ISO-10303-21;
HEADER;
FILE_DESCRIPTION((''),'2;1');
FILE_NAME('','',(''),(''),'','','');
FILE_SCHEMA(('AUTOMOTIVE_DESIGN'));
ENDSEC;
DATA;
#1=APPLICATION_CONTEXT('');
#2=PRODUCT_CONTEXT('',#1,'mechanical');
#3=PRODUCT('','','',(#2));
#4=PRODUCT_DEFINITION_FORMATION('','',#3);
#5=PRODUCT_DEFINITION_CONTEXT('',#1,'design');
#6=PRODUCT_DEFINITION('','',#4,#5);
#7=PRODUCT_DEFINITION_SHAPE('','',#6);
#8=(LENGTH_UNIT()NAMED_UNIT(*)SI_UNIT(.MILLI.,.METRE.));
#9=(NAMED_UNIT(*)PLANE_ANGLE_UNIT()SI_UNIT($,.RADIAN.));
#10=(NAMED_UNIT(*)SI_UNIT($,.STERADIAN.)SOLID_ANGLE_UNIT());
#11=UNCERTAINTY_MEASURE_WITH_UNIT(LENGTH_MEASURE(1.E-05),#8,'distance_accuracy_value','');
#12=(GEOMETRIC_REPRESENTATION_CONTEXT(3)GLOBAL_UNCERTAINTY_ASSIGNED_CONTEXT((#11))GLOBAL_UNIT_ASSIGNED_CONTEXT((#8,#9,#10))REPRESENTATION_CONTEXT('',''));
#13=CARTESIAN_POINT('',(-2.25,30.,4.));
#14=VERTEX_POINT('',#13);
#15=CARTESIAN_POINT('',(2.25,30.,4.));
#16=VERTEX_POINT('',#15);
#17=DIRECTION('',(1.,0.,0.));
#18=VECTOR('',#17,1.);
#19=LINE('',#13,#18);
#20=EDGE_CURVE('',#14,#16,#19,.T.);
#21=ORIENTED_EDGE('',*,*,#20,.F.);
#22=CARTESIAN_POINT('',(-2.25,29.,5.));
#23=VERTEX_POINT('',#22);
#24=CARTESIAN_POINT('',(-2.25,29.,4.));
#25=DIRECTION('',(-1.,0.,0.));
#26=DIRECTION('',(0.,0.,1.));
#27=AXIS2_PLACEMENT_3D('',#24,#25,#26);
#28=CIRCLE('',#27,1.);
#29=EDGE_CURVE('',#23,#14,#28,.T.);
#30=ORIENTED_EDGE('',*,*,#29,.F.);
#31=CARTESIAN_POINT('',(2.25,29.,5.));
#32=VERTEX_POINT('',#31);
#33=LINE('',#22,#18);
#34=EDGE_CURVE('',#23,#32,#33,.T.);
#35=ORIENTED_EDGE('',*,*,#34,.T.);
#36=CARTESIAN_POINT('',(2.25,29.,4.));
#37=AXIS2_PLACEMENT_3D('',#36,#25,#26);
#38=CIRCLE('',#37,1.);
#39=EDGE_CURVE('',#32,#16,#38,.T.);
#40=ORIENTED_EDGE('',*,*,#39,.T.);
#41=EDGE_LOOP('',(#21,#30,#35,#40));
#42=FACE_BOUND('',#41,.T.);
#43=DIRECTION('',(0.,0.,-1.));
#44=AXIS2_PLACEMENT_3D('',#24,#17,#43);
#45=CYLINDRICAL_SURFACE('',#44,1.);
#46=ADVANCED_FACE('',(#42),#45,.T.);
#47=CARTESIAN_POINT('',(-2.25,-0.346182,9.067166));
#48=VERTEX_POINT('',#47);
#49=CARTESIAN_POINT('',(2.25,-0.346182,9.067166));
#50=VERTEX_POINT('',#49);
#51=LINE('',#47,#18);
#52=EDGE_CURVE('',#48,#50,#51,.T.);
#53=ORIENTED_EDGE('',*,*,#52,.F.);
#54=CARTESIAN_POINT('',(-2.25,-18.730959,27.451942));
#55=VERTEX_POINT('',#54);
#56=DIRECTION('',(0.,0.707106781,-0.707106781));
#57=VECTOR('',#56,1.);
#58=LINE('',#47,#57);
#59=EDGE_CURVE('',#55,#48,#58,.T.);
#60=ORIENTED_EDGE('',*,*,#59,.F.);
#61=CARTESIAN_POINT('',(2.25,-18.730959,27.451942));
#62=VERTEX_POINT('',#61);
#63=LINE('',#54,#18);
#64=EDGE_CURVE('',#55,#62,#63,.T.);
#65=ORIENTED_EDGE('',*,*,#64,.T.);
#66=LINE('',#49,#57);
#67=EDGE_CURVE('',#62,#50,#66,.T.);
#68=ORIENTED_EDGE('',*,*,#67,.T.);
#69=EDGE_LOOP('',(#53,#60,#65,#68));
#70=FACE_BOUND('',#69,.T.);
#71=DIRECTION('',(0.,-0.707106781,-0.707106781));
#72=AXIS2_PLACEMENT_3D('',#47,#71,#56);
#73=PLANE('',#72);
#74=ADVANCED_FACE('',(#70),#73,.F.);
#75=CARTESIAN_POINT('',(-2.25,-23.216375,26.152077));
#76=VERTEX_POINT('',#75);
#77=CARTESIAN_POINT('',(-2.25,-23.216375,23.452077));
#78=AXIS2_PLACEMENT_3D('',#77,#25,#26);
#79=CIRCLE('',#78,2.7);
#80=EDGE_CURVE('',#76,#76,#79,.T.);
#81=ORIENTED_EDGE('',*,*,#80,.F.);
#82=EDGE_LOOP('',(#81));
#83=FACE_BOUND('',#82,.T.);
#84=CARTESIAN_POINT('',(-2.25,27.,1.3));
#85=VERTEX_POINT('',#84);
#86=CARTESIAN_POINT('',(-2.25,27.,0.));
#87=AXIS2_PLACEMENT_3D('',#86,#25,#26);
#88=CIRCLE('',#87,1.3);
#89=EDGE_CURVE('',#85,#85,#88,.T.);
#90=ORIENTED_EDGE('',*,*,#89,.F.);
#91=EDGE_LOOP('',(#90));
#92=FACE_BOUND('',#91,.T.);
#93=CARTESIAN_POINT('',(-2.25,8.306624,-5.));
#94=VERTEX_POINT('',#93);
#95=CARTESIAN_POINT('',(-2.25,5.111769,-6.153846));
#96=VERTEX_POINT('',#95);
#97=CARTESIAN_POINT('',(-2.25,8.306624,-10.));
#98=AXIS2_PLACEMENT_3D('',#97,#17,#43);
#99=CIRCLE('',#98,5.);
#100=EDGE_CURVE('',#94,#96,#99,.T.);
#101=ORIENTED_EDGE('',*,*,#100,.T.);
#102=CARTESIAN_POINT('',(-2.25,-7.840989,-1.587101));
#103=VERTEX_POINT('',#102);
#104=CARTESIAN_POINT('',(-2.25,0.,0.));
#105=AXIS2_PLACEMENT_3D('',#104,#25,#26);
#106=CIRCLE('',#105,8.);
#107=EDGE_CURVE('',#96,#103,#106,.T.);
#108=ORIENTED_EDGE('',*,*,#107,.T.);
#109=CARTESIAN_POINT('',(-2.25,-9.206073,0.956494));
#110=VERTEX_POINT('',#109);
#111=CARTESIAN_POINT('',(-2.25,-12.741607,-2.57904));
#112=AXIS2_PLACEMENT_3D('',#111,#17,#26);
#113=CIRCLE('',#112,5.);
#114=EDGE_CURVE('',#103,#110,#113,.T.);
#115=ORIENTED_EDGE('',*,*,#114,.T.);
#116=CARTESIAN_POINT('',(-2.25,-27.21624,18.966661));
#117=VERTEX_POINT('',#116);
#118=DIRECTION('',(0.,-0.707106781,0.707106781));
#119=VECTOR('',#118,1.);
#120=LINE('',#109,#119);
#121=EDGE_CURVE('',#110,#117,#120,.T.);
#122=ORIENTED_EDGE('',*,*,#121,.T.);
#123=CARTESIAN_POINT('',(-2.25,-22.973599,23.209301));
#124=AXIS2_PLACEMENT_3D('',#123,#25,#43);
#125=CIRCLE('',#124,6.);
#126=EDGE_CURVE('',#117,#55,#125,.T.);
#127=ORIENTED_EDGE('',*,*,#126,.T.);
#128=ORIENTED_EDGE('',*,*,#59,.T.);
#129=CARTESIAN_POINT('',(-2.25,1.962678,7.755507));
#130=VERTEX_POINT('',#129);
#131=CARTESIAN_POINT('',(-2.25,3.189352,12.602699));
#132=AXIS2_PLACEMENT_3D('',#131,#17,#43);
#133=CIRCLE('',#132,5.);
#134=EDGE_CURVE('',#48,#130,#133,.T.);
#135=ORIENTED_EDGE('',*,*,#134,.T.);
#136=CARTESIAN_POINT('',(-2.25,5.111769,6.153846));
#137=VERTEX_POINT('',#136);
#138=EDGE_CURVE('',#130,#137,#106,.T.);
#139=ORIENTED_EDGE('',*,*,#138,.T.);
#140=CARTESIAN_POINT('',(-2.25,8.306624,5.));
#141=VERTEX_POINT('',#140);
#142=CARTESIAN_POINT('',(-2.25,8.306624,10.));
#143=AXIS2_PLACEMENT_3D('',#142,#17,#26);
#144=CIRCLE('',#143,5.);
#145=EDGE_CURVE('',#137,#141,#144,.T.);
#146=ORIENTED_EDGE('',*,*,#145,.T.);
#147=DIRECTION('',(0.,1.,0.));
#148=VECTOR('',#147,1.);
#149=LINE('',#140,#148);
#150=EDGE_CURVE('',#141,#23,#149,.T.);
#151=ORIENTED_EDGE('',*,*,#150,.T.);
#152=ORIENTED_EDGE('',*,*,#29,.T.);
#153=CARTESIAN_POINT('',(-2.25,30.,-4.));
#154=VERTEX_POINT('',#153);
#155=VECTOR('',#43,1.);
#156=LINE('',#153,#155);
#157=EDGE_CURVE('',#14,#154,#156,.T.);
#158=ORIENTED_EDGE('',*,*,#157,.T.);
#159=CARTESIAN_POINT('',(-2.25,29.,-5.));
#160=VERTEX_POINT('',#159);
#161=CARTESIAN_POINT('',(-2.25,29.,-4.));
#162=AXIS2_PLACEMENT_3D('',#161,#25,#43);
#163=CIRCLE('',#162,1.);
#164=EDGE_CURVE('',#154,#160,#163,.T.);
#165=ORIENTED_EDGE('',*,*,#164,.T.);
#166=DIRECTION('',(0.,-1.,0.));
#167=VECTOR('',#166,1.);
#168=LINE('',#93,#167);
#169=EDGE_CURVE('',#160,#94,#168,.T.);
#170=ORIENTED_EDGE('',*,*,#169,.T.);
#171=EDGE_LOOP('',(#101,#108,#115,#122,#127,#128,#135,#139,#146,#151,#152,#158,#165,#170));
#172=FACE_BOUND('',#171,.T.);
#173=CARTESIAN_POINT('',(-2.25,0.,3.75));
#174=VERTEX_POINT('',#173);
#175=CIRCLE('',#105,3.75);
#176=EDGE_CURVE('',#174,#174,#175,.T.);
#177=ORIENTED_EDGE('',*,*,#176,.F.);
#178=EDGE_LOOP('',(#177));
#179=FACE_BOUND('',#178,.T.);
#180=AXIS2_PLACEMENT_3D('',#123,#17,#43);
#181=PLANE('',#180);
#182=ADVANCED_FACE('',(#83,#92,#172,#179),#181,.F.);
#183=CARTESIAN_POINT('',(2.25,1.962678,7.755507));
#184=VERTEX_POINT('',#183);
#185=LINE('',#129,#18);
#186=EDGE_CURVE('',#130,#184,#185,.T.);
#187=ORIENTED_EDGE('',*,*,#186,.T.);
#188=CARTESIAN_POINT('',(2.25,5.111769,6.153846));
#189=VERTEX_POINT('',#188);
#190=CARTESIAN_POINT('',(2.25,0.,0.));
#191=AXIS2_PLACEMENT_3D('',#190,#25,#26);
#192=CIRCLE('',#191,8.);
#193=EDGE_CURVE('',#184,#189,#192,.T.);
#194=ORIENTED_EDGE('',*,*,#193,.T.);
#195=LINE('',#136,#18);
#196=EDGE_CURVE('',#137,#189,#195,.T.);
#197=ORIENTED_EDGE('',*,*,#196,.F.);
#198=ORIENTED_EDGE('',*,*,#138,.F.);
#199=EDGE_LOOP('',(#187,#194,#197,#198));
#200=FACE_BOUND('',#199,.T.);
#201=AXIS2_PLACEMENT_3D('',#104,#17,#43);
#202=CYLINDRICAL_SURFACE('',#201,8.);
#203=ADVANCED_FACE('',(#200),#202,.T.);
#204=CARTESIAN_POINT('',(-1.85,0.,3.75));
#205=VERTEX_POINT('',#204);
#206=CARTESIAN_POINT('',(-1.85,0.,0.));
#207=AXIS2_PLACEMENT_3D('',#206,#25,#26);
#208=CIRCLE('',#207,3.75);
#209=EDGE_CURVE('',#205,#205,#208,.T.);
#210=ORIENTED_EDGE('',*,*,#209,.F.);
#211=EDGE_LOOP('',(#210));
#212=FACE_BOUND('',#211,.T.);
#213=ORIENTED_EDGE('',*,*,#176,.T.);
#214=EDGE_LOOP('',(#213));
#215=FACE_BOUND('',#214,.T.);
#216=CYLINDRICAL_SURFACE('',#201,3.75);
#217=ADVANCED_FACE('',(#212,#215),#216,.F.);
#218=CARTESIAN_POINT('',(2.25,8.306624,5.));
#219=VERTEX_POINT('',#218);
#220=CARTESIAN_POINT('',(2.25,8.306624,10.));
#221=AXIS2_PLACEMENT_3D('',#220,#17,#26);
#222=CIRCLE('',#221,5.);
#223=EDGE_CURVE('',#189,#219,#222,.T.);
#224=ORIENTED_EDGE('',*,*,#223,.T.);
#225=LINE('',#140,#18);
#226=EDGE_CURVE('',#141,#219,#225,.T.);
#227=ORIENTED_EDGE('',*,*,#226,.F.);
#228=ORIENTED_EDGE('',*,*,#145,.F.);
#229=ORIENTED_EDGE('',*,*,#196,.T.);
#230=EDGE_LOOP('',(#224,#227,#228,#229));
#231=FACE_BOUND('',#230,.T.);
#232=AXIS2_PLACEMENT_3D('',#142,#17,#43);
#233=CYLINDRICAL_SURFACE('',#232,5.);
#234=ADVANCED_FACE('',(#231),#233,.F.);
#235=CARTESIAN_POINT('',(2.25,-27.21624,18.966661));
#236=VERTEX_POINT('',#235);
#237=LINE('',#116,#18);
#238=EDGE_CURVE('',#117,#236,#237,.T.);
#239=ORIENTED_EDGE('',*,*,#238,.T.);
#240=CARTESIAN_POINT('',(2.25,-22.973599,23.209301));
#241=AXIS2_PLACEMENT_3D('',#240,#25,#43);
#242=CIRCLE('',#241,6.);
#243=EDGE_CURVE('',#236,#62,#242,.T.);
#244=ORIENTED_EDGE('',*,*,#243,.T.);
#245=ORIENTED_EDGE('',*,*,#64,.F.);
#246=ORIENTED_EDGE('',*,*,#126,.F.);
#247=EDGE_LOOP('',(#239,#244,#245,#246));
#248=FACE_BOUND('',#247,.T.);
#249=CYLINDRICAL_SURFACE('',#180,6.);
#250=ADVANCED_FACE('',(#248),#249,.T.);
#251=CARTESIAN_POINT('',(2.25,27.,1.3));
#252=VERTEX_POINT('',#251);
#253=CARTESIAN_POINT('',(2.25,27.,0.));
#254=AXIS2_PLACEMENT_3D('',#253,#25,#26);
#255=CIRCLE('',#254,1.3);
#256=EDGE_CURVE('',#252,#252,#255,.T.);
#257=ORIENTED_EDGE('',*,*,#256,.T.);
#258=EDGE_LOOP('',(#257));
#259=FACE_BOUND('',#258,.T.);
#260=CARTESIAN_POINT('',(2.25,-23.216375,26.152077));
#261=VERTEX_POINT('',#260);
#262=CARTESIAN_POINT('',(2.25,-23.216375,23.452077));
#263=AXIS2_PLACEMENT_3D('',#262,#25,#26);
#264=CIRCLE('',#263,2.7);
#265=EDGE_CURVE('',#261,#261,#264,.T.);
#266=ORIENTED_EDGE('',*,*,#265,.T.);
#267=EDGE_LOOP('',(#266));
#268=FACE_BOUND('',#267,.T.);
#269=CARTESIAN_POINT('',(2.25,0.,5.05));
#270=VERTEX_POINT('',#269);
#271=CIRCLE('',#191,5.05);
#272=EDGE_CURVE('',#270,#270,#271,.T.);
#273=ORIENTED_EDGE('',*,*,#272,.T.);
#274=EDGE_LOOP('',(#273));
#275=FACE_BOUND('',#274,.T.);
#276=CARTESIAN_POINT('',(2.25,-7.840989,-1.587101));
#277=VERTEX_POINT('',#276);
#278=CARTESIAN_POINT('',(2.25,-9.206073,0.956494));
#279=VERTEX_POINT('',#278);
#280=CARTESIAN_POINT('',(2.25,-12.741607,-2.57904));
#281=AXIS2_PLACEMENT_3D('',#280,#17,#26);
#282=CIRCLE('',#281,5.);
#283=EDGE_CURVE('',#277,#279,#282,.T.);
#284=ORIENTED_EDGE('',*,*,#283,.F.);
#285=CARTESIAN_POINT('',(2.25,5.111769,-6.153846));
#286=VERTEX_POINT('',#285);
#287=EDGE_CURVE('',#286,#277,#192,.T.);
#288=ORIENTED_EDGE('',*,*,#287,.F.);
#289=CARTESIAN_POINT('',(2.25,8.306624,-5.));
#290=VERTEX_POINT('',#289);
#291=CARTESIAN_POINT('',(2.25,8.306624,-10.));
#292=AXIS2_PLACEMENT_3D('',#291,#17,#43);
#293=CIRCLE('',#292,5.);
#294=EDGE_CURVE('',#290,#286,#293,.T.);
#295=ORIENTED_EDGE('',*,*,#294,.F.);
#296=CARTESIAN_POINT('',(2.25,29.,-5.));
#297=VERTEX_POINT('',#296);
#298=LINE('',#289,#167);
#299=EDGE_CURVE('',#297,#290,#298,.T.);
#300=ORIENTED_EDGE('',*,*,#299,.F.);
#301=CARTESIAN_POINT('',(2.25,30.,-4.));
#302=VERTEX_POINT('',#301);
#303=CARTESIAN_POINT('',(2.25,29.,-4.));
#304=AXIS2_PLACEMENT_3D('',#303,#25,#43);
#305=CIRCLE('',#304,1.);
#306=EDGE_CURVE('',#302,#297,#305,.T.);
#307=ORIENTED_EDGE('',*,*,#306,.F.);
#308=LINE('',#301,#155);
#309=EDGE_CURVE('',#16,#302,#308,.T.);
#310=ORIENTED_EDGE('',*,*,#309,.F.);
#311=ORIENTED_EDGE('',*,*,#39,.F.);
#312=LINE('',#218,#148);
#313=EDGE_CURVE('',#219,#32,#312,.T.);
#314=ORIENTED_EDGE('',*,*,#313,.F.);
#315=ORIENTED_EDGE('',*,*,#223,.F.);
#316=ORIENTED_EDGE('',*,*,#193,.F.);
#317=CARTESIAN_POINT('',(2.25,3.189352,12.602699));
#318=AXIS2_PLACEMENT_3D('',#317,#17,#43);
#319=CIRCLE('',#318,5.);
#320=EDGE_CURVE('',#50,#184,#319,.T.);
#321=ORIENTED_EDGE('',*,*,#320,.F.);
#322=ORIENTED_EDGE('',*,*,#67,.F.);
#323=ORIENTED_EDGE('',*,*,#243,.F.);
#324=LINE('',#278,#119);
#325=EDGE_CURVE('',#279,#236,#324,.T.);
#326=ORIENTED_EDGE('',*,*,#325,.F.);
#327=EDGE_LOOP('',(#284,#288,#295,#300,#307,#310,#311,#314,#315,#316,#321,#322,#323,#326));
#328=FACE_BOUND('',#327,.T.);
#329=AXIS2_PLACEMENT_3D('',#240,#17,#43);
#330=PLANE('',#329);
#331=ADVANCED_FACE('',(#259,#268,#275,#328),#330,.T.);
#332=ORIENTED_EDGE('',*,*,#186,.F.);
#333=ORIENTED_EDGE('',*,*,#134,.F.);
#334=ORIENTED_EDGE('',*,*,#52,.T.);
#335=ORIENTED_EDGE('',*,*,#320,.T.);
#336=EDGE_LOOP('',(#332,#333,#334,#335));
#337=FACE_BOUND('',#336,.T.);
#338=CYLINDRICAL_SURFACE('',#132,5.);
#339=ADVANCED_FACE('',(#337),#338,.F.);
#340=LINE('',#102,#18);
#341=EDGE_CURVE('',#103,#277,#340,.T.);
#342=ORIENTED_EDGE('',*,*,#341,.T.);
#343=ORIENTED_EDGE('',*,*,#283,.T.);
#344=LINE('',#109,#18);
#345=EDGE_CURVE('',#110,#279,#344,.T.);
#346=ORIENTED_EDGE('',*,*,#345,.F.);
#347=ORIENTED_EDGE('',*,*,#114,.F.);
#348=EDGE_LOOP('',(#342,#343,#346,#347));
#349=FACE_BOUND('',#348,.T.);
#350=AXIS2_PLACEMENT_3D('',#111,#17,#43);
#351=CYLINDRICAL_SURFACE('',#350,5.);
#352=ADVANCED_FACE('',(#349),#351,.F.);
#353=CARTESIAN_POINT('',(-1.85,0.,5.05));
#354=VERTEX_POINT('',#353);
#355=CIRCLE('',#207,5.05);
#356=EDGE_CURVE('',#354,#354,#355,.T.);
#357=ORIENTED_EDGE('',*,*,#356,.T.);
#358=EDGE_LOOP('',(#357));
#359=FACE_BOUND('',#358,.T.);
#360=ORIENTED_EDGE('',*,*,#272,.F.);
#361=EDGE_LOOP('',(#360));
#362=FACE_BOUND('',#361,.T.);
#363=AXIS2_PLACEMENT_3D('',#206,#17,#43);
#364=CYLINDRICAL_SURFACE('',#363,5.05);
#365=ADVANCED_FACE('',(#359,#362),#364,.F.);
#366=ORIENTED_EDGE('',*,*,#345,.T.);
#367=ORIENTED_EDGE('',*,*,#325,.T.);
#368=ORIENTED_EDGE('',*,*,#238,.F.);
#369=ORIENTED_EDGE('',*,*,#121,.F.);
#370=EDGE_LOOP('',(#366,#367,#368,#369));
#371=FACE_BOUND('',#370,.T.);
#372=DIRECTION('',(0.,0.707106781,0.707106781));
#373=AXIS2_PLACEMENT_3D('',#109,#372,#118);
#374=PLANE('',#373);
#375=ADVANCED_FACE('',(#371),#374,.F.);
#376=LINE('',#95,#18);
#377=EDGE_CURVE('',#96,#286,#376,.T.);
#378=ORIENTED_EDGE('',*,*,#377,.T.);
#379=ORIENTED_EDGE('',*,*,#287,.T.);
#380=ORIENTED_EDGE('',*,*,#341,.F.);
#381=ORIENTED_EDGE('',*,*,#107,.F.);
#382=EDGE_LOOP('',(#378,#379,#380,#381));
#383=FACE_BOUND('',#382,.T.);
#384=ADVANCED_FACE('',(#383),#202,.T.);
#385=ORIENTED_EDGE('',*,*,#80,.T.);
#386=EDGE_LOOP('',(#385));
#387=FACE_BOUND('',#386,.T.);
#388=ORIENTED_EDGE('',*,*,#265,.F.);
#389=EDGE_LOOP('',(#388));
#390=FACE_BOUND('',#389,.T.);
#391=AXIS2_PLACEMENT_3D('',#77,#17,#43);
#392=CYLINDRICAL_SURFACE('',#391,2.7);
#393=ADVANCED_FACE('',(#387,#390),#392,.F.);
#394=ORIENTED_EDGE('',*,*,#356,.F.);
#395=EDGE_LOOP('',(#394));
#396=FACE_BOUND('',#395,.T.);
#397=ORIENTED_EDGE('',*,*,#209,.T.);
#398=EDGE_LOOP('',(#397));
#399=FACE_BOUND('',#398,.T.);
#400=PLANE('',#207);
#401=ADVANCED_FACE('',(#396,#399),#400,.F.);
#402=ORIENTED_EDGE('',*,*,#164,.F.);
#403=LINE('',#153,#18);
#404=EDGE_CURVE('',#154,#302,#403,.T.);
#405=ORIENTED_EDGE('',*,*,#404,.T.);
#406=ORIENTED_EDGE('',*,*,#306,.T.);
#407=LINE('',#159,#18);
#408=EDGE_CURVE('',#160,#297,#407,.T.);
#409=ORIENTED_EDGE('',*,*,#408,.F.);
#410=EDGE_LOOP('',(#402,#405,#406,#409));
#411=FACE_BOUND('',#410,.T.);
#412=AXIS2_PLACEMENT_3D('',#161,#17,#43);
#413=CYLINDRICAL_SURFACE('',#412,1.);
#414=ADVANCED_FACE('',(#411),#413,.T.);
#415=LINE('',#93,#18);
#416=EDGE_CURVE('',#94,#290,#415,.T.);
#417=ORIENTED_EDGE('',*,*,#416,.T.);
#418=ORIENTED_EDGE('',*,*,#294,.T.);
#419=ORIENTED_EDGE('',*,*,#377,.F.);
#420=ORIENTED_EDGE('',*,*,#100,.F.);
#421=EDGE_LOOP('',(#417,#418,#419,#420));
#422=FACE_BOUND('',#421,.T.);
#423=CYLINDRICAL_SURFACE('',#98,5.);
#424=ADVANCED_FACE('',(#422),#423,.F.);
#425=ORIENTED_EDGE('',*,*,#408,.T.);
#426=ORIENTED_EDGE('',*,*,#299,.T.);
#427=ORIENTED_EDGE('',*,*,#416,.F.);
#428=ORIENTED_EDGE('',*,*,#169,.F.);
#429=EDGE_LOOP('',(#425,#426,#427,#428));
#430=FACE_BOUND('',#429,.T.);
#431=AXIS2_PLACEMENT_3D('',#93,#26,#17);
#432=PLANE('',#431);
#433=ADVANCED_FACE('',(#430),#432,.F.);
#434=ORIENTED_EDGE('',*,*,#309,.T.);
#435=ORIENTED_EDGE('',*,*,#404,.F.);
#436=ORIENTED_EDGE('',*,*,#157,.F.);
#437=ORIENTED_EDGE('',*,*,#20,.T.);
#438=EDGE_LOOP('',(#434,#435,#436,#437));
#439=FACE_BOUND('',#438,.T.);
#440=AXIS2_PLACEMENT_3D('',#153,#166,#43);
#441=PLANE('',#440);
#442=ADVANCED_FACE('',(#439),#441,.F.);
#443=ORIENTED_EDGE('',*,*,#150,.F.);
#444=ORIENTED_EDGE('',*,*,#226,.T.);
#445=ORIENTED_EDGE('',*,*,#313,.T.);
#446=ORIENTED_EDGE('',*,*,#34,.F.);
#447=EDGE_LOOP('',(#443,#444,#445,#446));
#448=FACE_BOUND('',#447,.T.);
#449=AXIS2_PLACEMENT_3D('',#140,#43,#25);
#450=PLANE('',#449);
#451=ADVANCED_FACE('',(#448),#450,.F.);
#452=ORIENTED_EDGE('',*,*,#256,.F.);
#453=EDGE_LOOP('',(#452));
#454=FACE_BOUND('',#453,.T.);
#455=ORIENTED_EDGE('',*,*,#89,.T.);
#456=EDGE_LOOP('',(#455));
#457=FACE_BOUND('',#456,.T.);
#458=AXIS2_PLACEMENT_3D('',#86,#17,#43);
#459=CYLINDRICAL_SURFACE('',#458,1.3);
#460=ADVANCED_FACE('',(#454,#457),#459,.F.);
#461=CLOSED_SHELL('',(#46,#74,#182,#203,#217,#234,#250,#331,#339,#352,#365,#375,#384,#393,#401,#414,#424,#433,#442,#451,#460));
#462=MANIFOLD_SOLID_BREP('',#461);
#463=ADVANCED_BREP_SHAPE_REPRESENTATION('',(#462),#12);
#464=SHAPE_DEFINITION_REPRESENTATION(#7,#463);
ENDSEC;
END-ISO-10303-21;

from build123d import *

# Parameters (mm, degrees)
SKETCH_1_R          = 3.75
SKETCH_1_R_2        = 1.3
SKETCH_1_R_3        = 2.7
EXTRUDE_1_DEPTH     = 2.25
SKETCH_7_R          = 5.05
CUT_EXTRUDE_4_DEPTH = 4.1


with BuildPart() as part:
    # 草图1 → 凸台-拉伸1 (new body, symmetric)
    with BuildSketch(Plane.ZY):
        with BuildLine():
            Line((-4, 30), (4, 30))
            ThreePointArc((4, 30), (4.707106781, 29.707106781), (5, 29))
            Line((5, 29), (5, 8.306623863))
            ThreePointArc((5, 8.306623863), (5.297300284, 6.608208312), (6.153846154, 5.111768531))
            ThreePointArc((6.153846154, 5.111768531), (7.130688706, 3.626744901), (7.755507367, 1.962678138))
            ThreePointArc((7.755507367, 1.962678138), (8.255259703, 0.719581246), (9.067165566, -0.346181931))
            Line((9.067165566, -0.346181931), (27.451942184, -18.730958549))
            ThreePointArc((27.451942184, -18.730958549), (27.451942184, -27.216239924), (18.96666081, -27.216239924))
            Line((18.96666081, -27.216239924), (0.956494183, -9.206073297))
            ThreePointArc((0.956494183, -9.206073297), (-0.214644447, -8.335970475), (-1.587101368, -7.840989048))
            ThreePointArc((-1.587101368, -7.840989048), (-7.544802804, -2.660065909), (-6.153846154, 5.111768531))
            ThreePointArc((-6.153846154, 5.111768531), (-5.297300284, 6.608208312), (-5, 8.306623863))
            Line((-5, 8.306623863), (-5, 29))
            ThreePointArc((-5, 29), (-4.707106781, 29.707106781), (-4, 30))
        make_face()
        Circle(SKETCH_1_R, mode=Mode.SUBTRACT)
        with Locations((0, 27)):
            Circle(SKETCH_1_R_2, mode=Mode.SUBTRACT)
        with Locations((23.452077304, -23.216375043)):
            Circle(SKETCH_1_R_3, mode=Mode.SUBTRACT)
    extrude(amount=EXTRUDE_1_DEPTH, both=True)

    # 草图7 → 切除-拉伸4 (cut)
    with BuildSketch(Plane.ZY.offset(-2.25)):
        Circle(SKETCH_7_R)
    extrude(amount=CUT_EXTRUDE_4_DEPTH, mode=Mode.SUBTRACT)


solid = part.part
